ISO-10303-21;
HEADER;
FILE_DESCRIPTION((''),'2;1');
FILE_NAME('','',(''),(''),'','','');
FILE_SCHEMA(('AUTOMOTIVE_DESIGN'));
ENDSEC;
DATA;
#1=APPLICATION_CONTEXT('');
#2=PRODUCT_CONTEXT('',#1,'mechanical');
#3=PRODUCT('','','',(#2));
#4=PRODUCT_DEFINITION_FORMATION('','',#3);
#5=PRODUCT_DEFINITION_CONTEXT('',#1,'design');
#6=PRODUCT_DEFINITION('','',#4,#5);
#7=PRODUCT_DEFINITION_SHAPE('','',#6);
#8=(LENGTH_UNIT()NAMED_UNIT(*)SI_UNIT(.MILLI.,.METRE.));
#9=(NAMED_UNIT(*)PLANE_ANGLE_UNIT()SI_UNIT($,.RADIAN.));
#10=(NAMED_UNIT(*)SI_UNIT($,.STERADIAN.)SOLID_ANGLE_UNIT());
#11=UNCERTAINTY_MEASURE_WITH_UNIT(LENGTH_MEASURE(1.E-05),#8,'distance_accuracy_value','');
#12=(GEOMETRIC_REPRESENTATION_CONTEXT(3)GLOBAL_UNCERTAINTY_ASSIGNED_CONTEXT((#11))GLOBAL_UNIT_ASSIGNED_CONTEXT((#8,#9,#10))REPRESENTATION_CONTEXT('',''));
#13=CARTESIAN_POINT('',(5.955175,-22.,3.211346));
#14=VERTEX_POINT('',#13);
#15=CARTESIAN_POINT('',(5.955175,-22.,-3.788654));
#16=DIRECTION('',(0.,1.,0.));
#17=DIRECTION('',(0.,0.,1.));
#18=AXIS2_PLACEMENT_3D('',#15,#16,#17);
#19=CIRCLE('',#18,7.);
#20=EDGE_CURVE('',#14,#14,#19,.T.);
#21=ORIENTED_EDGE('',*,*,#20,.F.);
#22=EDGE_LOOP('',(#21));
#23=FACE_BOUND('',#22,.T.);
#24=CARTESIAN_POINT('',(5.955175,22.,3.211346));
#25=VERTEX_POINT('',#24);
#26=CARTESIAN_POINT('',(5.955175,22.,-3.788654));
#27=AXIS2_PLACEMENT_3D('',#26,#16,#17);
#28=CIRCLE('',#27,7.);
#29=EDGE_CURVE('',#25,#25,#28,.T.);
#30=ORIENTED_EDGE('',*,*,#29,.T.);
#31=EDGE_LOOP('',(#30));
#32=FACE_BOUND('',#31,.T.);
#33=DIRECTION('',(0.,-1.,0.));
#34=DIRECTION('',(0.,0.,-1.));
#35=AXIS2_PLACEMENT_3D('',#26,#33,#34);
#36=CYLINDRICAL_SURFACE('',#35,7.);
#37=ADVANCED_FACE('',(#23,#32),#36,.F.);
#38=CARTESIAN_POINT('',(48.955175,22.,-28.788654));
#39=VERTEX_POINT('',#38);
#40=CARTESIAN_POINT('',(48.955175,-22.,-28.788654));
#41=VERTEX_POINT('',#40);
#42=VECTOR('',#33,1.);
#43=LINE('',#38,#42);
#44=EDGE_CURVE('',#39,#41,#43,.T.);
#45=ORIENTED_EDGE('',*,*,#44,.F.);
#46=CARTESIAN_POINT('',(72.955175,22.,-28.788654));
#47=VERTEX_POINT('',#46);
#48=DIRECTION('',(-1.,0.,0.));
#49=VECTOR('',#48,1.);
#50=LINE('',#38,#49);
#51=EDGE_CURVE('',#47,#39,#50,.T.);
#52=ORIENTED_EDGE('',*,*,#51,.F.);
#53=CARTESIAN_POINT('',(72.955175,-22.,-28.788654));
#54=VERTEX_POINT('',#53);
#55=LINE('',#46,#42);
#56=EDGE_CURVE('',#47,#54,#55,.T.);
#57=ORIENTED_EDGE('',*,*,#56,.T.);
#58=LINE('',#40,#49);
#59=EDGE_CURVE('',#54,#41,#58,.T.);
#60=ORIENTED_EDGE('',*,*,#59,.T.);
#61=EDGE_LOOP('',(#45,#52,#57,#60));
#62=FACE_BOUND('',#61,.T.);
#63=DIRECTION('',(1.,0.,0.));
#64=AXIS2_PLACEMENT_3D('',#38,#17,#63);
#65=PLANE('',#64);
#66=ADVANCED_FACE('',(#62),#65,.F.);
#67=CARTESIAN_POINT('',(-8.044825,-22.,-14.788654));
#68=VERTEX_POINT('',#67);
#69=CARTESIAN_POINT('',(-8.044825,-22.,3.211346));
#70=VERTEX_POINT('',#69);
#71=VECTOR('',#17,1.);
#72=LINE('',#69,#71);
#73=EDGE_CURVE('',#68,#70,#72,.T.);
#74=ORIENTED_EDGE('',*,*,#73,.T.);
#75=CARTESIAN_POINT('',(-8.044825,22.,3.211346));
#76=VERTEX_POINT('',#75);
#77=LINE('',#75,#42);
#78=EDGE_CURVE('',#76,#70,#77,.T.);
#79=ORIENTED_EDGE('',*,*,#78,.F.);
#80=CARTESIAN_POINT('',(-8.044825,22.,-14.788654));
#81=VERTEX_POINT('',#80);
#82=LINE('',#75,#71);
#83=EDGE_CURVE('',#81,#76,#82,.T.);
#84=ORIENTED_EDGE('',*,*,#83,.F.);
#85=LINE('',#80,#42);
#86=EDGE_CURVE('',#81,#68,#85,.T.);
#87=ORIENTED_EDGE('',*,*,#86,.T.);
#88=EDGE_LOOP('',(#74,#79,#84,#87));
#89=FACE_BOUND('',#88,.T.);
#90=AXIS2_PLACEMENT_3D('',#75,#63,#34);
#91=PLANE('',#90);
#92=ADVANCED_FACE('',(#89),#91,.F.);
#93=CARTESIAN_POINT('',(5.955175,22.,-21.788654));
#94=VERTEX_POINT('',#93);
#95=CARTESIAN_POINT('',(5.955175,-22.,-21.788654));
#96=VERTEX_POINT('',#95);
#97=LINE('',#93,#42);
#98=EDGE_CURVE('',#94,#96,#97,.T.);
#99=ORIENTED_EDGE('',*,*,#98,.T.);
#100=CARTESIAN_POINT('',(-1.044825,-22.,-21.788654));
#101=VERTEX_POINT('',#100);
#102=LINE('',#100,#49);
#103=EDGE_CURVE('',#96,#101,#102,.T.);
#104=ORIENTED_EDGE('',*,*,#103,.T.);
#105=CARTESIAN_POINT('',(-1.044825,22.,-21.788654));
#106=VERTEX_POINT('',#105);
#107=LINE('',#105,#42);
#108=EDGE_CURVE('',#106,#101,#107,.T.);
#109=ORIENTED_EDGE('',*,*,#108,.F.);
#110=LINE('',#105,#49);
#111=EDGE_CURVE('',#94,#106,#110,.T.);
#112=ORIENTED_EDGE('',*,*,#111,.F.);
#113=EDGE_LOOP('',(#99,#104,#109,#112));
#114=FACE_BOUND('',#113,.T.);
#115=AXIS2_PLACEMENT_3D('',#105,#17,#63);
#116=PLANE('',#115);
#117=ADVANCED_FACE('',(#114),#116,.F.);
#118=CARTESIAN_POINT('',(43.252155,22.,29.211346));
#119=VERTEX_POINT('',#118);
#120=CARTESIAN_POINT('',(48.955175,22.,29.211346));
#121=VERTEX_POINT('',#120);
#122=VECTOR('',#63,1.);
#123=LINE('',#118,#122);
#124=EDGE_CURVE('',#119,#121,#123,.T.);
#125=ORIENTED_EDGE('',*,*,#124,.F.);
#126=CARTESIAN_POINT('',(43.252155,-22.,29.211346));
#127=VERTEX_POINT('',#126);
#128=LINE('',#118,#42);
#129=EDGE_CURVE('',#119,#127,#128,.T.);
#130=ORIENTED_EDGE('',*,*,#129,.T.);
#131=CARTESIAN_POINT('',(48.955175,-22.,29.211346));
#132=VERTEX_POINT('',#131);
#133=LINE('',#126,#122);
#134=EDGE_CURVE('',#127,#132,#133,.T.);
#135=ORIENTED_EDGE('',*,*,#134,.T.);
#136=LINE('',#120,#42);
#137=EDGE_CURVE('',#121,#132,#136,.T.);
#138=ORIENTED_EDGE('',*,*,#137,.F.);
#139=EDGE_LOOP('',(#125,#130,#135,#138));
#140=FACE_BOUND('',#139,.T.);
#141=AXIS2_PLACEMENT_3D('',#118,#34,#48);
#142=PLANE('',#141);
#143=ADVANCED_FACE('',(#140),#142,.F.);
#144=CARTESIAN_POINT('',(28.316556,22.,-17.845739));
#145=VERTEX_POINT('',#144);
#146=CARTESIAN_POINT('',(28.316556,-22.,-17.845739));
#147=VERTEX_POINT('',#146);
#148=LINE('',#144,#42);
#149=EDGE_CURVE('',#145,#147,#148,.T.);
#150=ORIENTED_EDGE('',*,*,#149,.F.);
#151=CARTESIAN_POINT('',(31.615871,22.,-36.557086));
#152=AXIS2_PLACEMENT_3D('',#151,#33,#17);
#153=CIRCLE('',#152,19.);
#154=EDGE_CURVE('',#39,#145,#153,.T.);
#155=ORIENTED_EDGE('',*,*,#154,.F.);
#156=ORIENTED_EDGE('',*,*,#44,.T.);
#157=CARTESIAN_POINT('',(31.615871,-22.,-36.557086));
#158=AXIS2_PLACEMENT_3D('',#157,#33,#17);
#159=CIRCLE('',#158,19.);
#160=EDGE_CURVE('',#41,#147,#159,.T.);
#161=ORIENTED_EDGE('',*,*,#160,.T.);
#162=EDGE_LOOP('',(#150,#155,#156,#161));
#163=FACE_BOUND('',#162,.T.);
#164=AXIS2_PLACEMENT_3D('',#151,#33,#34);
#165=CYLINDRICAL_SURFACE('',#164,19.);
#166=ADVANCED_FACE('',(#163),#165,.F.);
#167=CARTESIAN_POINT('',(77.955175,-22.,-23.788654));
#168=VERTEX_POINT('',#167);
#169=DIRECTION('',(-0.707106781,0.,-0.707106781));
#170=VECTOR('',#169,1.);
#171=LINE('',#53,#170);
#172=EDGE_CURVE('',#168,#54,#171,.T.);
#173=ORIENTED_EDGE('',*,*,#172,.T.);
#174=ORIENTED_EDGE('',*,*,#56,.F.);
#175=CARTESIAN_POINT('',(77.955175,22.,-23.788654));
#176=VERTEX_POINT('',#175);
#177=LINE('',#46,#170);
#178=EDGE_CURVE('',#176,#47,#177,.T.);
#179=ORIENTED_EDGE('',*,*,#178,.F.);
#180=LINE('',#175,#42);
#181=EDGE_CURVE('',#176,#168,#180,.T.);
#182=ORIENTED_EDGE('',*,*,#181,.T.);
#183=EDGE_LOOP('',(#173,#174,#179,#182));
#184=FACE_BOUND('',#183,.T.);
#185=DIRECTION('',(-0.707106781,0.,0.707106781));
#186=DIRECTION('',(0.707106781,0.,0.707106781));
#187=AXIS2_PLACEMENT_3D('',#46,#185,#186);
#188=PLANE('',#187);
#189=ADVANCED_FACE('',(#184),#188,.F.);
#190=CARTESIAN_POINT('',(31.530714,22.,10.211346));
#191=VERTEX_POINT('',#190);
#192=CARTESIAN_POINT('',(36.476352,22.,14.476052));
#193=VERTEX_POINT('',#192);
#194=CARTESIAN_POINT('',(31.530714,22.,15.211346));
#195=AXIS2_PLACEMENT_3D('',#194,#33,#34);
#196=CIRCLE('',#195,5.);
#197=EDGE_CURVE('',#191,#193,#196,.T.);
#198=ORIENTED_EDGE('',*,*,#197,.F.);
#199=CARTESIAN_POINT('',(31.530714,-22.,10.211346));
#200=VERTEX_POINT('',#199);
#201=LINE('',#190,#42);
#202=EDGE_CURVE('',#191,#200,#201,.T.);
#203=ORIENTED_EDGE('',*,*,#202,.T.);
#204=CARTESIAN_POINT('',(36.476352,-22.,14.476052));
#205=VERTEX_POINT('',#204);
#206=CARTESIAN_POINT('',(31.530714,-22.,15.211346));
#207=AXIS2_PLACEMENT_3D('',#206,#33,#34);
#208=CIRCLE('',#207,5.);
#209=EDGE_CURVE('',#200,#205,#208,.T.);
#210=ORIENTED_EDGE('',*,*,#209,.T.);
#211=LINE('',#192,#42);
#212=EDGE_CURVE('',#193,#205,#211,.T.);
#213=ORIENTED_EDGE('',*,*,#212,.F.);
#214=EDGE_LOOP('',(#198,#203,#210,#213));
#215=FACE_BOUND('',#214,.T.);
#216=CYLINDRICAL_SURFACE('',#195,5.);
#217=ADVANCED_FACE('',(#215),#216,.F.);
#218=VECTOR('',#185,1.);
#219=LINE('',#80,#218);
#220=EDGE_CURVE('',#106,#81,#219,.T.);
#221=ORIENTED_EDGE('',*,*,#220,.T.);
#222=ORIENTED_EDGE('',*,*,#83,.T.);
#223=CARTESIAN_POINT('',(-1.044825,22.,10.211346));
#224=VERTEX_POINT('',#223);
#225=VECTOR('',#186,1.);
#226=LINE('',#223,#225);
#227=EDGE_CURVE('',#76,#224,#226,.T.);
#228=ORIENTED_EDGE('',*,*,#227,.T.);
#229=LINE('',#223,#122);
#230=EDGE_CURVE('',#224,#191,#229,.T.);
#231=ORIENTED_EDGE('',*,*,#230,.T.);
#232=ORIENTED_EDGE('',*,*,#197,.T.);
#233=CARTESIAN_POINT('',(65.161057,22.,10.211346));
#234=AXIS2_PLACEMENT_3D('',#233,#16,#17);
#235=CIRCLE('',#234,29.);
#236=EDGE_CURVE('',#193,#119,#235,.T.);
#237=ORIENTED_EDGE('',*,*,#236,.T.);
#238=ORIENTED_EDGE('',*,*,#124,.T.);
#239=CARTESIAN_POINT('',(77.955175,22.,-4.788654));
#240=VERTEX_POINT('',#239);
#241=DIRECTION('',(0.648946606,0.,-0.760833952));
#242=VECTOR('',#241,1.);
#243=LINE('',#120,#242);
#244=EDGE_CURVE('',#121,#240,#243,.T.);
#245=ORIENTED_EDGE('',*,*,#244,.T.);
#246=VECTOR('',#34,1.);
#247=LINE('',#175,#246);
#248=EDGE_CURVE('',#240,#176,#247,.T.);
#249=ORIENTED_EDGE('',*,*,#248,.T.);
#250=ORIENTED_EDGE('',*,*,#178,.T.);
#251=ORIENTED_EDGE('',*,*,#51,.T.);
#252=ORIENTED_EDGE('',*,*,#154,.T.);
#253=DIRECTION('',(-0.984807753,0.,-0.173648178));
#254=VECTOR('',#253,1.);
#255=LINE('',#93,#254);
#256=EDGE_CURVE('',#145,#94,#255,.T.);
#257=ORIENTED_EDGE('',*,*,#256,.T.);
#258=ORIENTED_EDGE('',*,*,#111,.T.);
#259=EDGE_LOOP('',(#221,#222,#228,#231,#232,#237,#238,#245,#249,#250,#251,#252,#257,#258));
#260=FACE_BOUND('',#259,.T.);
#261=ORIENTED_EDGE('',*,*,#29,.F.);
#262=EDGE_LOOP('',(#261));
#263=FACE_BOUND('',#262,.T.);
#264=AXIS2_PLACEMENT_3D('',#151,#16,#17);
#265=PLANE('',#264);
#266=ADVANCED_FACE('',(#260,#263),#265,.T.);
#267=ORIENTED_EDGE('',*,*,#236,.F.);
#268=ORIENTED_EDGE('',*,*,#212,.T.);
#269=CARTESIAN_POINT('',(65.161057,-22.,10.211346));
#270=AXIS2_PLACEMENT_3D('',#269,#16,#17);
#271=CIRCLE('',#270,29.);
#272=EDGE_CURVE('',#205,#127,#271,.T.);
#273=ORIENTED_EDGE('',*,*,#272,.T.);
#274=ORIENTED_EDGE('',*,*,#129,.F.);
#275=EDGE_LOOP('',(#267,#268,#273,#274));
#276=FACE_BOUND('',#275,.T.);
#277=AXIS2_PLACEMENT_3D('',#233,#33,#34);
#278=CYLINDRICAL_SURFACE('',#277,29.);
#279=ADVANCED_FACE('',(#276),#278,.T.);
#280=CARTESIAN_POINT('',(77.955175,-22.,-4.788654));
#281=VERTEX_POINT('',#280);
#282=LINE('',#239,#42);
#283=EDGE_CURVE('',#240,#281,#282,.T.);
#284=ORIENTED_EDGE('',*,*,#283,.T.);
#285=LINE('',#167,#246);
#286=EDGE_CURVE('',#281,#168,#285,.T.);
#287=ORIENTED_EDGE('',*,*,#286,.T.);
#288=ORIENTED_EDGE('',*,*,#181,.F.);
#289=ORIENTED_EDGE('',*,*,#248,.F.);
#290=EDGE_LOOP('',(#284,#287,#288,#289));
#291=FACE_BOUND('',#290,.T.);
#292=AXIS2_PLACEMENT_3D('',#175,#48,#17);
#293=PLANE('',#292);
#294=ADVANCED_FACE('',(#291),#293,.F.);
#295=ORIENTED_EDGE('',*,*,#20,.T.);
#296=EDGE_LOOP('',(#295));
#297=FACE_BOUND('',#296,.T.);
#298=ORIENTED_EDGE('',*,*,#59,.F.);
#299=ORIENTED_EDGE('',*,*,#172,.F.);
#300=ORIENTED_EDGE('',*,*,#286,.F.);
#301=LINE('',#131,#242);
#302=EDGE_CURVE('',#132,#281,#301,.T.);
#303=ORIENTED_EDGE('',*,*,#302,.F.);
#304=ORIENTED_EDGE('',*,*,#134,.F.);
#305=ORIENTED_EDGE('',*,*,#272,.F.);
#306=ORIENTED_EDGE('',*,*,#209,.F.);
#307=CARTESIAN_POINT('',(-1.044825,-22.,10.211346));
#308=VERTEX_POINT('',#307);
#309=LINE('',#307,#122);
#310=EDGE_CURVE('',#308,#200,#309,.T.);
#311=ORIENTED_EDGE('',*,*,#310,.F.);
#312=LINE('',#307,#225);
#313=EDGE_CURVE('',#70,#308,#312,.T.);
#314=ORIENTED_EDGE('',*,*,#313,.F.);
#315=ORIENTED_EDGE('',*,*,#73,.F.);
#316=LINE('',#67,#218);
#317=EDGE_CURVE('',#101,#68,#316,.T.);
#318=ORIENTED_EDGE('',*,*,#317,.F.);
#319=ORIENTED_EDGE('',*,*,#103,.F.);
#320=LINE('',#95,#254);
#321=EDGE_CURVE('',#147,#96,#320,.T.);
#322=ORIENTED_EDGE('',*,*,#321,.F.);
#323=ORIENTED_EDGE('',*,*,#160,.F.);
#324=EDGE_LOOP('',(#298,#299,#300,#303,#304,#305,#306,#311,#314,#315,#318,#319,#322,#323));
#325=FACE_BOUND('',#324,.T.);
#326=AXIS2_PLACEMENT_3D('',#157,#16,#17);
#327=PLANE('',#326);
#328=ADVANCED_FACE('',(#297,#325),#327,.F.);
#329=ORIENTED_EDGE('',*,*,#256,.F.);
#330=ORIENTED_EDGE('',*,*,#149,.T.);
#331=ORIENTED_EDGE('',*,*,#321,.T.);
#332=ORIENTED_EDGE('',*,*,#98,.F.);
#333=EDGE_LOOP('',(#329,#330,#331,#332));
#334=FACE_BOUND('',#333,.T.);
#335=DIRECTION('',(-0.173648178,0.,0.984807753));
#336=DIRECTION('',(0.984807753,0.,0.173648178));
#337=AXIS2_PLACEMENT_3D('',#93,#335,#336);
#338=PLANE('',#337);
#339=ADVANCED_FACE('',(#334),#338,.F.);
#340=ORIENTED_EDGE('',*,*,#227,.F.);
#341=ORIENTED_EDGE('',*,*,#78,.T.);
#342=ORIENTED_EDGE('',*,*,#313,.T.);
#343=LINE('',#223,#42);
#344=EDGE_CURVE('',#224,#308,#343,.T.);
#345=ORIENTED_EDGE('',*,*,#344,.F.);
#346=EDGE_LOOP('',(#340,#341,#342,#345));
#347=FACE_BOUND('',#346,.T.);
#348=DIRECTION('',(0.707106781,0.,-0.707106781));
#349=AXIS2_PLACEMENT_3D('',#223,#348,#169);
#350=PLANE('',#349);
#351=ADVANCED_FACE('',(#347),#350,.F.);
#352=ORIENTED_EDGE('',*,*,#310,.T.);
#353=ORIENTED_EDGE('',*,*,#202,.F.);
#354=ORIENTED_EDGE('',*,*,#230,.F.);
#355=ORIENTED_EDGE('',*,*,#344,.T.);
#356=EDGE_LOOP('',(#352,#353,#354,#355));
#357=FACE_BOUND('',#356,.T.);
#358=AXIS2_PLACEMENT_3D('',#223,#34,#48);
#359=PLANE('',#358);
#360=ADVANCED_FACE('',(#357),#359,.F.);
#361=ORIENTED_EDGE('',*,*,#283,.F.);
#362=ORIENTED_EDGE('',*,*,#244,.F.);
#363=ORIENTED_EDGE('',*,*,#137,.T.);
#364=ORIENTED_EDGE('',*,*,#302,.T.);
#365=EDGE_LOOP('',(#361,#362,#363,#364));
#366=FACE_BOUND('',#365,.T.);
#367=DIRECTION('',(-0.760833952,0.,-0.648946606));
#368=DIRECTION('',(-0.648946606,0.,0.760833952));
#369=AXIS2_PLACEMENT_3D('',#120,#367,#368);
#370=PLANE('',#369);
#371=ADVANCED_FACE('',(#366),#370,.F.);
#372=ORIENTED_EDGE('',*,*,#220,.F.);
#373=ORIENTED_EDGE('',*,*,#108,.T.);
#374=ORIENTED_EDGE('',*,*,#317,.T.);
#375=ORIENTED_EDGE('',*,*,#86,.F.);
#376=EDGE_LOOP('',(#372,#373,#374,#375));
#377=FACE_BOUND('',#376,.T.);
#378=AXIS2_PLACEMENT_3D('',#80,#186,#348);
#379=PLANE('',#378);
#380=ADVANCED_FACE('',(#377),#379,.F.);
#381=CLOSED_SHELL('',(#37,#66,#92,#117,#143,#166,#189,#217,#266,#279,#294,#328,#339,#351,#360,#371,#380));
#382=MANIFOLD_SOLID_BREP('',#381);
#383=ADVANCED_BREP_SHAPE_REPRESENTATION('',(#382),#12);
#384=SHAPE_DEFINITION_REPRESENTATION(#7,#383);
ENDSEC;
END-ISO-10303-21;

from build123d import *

# Parameters (mm, degrees)
SKETCH2_R           = 7
BOSS_EXTRUDE1_DEPTH = 22


with BuildPart() as part:
    # Sketch2 → Boss-Extrude1 (new, symmetric)
    with BuildSketch(Plane(origin=(0, 0, 0), x_dir=(1, 0, 0), z_dir=(0, 1, 0))):
        with BuildLine():
            Line((-8.044825261, -3.211346175), (-8.044825261, 14.788653825))
            Line((-8.044825261, 14.788653825), (-1.044825261, 21.788653825))
            Line((-1.044825261, 21.788653825), (5.955174739, 21.788653825))
            Line((5.955174739, 21.788653825), (28.316555575, 17.845739058))
            ThreePointArc((28.316555575, 17.845739058), (40.516273445, 19.770697967), (48.955174739, 28.788653825))
            Line((48.955174739, 28.788653825), (72.955174739, 28.788653825))
            Line((72.955174739, 28.788653825), (77.955174739, 23.788653825))
            Line((77.955174739, 23.788653825), (77.955174739, 4.788653825))
            Line((77.955174739, 4.788653825), (48.955174739, -29.211346175))
            Line((48.955174739, -29.211346175), (43.252154792, -29.211346175))
            ThreePointArc((43.252154792, -29.211346175), (38.813182595, -22.327018236), (36.476352392, -14.476052057))
            ThreePointArc((36.476352392, -14.476052057), (34.795949432, -11.424759943), (31.530713651, -10.211346175))
            Line((31.530713651, -10.211346175), (-1.044825261, -10.211346175))
            Line((-1.044825261, -10.211346175), (-8.044825261, -3.211346175))
        make_face()
        with Locations(Location((5.955174739, 3.788653825, 0), (0, 0, 270))):
            Circle(SKETCH2_R, mode=Mode.SUBTRACT)
    extrude(amount=BOSS_EXTRUDE1_DEPTH, both=True)


solid = part.part
